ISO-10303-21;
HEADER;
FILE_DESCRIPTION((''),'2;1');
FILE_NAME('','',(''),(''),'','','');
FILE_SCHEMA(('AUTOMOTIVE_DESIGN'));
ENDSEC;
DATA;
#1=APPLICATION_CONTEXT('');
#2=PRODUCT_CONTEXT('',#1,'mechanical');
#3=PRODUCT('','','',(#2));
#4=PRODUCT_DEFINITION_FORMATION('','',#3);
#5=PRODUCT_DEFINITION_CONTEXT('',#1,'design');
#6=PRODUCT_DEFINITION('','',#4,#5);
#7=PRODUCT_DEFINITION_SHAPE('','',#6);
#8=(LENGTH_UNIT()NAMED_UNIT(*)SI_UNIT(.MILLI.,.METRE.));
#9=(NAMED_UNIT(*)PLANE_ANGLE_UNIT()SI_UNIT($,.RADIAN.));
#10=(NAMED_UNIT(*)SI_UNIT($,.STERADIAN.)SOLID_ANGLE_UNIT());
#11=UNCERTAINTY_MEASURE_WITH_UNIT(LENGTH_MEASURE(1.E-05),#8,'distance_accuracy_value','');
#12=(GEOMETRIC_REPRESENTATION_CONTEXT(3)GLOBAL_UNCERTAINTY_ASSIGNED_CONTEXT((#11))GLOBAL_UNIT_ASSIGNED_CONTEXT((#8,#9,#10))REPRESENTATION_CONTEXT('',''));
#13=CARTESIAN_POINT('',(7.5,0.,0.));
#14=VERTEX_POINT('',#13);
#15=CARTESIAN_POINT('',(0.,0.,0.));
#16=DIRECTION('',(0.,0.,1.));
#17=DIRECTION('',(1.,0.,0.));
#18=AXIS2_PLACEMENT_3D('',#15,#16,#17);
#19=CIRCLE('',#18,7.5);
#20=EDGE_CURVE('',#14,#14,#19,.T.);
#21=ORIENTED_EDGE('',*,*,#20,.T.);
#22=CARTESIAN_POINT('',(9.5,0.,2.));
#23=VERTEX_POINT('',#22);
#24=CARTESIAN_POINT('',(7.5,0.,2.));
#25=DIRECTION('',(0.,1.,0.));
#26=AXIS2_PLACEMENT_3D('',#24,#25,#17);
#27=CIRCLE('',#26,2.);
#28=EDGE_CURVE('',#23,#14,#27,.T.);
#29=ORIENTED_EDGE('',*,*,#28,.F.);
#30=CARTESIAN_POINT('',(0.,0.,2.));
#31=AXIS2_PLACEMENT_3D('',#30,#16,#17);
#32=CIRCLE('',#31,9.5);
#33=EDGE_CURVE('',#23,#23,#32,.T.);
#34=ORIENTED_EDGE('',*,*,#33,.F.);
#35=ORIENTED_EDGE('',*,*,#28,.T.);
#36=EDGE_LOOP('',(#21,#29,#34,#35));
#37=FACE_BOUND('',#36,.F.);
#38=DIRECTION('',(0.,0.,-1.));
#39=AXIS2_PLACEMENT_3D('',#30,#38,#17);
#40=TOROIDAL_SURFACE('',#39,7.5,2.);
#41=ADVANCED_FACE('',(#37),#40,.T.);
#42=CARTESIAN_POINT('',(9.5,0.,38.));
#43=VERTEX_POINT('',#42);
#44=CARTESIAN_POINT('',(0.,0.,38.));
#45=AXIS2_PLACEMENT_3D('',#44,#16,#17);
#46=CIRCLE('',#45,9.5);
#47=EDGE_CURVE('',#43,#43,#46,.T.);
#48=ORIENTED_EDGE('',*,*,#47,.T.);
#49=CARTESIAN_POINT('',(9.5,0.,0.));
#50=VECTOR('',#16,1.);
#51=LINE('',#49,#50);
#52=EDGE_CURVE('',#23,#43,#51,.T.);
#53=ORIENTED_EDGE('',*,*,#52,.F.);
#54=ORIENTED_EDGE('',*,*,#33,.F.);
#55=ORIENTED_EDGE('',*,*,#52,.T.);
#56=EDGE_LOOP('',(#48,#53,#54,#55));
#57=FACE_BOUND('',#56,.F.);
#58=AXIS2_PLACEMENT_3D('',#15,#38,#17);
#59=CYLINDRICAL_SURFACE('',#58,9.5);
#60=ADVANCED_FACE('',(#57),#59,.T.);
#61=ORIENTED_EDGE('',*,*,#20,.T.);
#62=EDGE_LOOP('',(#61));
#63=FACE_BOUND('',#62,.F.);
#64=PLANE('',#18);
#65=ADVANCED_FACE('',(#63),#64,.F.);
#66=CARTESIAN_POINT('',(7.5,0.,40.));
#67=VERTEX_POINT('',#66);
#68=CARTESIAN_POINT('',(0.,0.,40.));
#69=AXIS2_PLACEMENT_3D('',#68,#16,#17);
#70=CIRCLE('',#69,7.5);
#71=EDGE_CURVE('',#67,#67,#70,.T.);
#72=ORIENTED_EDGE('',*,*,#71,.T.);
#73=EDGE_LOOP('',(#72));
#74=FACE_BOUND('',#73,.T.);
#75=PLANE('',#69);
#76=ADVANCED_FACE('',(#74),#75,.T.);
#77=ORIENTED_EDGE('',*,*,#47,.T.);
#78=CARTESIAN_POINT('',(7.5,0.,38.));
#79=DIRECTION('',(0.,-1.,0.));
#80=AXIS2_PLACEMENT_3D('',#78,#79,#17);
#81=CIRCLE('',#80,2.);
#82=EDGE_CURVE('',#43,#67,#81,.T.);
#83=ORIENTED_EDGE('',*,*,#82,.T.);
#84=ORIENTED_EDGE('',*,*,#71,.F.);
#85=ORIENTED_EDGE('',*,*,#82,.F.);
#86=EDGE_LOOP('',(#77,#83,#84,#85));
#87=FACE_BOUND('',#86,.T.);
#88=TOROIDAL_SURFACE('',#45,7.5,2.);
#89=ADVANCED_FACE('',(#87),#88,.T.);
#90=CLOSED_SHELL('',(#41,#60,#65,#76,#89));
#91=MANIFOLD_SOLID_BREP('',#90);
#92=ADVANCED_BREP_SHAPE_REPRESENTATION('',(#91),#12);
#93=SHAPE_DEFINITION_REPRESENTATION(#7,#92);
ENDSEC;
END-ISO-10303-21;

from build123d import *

# Parameters (mm, degrees)
CYLINDER_R     = 9.5
CYLINDER_DEPTH = 40
FILLET_R       = 2


with BuildPart() as part:
    # Cylinder → Cylinder (new body)
    with BuildSketch(Plane.XY):
        Circle(CYLINDER_R)
    extrude(amount=CYLINDER_DEPTH)

    # Fillet
    fillet_edges = [part.edges().sort_by_distance(p)[0] for p in [
        (-9.5, 0, 40),
        (-9.5, 0, 0),
    ]]
    fillet(fillet_edges, radius=FILLET_R)


solid = part.part
